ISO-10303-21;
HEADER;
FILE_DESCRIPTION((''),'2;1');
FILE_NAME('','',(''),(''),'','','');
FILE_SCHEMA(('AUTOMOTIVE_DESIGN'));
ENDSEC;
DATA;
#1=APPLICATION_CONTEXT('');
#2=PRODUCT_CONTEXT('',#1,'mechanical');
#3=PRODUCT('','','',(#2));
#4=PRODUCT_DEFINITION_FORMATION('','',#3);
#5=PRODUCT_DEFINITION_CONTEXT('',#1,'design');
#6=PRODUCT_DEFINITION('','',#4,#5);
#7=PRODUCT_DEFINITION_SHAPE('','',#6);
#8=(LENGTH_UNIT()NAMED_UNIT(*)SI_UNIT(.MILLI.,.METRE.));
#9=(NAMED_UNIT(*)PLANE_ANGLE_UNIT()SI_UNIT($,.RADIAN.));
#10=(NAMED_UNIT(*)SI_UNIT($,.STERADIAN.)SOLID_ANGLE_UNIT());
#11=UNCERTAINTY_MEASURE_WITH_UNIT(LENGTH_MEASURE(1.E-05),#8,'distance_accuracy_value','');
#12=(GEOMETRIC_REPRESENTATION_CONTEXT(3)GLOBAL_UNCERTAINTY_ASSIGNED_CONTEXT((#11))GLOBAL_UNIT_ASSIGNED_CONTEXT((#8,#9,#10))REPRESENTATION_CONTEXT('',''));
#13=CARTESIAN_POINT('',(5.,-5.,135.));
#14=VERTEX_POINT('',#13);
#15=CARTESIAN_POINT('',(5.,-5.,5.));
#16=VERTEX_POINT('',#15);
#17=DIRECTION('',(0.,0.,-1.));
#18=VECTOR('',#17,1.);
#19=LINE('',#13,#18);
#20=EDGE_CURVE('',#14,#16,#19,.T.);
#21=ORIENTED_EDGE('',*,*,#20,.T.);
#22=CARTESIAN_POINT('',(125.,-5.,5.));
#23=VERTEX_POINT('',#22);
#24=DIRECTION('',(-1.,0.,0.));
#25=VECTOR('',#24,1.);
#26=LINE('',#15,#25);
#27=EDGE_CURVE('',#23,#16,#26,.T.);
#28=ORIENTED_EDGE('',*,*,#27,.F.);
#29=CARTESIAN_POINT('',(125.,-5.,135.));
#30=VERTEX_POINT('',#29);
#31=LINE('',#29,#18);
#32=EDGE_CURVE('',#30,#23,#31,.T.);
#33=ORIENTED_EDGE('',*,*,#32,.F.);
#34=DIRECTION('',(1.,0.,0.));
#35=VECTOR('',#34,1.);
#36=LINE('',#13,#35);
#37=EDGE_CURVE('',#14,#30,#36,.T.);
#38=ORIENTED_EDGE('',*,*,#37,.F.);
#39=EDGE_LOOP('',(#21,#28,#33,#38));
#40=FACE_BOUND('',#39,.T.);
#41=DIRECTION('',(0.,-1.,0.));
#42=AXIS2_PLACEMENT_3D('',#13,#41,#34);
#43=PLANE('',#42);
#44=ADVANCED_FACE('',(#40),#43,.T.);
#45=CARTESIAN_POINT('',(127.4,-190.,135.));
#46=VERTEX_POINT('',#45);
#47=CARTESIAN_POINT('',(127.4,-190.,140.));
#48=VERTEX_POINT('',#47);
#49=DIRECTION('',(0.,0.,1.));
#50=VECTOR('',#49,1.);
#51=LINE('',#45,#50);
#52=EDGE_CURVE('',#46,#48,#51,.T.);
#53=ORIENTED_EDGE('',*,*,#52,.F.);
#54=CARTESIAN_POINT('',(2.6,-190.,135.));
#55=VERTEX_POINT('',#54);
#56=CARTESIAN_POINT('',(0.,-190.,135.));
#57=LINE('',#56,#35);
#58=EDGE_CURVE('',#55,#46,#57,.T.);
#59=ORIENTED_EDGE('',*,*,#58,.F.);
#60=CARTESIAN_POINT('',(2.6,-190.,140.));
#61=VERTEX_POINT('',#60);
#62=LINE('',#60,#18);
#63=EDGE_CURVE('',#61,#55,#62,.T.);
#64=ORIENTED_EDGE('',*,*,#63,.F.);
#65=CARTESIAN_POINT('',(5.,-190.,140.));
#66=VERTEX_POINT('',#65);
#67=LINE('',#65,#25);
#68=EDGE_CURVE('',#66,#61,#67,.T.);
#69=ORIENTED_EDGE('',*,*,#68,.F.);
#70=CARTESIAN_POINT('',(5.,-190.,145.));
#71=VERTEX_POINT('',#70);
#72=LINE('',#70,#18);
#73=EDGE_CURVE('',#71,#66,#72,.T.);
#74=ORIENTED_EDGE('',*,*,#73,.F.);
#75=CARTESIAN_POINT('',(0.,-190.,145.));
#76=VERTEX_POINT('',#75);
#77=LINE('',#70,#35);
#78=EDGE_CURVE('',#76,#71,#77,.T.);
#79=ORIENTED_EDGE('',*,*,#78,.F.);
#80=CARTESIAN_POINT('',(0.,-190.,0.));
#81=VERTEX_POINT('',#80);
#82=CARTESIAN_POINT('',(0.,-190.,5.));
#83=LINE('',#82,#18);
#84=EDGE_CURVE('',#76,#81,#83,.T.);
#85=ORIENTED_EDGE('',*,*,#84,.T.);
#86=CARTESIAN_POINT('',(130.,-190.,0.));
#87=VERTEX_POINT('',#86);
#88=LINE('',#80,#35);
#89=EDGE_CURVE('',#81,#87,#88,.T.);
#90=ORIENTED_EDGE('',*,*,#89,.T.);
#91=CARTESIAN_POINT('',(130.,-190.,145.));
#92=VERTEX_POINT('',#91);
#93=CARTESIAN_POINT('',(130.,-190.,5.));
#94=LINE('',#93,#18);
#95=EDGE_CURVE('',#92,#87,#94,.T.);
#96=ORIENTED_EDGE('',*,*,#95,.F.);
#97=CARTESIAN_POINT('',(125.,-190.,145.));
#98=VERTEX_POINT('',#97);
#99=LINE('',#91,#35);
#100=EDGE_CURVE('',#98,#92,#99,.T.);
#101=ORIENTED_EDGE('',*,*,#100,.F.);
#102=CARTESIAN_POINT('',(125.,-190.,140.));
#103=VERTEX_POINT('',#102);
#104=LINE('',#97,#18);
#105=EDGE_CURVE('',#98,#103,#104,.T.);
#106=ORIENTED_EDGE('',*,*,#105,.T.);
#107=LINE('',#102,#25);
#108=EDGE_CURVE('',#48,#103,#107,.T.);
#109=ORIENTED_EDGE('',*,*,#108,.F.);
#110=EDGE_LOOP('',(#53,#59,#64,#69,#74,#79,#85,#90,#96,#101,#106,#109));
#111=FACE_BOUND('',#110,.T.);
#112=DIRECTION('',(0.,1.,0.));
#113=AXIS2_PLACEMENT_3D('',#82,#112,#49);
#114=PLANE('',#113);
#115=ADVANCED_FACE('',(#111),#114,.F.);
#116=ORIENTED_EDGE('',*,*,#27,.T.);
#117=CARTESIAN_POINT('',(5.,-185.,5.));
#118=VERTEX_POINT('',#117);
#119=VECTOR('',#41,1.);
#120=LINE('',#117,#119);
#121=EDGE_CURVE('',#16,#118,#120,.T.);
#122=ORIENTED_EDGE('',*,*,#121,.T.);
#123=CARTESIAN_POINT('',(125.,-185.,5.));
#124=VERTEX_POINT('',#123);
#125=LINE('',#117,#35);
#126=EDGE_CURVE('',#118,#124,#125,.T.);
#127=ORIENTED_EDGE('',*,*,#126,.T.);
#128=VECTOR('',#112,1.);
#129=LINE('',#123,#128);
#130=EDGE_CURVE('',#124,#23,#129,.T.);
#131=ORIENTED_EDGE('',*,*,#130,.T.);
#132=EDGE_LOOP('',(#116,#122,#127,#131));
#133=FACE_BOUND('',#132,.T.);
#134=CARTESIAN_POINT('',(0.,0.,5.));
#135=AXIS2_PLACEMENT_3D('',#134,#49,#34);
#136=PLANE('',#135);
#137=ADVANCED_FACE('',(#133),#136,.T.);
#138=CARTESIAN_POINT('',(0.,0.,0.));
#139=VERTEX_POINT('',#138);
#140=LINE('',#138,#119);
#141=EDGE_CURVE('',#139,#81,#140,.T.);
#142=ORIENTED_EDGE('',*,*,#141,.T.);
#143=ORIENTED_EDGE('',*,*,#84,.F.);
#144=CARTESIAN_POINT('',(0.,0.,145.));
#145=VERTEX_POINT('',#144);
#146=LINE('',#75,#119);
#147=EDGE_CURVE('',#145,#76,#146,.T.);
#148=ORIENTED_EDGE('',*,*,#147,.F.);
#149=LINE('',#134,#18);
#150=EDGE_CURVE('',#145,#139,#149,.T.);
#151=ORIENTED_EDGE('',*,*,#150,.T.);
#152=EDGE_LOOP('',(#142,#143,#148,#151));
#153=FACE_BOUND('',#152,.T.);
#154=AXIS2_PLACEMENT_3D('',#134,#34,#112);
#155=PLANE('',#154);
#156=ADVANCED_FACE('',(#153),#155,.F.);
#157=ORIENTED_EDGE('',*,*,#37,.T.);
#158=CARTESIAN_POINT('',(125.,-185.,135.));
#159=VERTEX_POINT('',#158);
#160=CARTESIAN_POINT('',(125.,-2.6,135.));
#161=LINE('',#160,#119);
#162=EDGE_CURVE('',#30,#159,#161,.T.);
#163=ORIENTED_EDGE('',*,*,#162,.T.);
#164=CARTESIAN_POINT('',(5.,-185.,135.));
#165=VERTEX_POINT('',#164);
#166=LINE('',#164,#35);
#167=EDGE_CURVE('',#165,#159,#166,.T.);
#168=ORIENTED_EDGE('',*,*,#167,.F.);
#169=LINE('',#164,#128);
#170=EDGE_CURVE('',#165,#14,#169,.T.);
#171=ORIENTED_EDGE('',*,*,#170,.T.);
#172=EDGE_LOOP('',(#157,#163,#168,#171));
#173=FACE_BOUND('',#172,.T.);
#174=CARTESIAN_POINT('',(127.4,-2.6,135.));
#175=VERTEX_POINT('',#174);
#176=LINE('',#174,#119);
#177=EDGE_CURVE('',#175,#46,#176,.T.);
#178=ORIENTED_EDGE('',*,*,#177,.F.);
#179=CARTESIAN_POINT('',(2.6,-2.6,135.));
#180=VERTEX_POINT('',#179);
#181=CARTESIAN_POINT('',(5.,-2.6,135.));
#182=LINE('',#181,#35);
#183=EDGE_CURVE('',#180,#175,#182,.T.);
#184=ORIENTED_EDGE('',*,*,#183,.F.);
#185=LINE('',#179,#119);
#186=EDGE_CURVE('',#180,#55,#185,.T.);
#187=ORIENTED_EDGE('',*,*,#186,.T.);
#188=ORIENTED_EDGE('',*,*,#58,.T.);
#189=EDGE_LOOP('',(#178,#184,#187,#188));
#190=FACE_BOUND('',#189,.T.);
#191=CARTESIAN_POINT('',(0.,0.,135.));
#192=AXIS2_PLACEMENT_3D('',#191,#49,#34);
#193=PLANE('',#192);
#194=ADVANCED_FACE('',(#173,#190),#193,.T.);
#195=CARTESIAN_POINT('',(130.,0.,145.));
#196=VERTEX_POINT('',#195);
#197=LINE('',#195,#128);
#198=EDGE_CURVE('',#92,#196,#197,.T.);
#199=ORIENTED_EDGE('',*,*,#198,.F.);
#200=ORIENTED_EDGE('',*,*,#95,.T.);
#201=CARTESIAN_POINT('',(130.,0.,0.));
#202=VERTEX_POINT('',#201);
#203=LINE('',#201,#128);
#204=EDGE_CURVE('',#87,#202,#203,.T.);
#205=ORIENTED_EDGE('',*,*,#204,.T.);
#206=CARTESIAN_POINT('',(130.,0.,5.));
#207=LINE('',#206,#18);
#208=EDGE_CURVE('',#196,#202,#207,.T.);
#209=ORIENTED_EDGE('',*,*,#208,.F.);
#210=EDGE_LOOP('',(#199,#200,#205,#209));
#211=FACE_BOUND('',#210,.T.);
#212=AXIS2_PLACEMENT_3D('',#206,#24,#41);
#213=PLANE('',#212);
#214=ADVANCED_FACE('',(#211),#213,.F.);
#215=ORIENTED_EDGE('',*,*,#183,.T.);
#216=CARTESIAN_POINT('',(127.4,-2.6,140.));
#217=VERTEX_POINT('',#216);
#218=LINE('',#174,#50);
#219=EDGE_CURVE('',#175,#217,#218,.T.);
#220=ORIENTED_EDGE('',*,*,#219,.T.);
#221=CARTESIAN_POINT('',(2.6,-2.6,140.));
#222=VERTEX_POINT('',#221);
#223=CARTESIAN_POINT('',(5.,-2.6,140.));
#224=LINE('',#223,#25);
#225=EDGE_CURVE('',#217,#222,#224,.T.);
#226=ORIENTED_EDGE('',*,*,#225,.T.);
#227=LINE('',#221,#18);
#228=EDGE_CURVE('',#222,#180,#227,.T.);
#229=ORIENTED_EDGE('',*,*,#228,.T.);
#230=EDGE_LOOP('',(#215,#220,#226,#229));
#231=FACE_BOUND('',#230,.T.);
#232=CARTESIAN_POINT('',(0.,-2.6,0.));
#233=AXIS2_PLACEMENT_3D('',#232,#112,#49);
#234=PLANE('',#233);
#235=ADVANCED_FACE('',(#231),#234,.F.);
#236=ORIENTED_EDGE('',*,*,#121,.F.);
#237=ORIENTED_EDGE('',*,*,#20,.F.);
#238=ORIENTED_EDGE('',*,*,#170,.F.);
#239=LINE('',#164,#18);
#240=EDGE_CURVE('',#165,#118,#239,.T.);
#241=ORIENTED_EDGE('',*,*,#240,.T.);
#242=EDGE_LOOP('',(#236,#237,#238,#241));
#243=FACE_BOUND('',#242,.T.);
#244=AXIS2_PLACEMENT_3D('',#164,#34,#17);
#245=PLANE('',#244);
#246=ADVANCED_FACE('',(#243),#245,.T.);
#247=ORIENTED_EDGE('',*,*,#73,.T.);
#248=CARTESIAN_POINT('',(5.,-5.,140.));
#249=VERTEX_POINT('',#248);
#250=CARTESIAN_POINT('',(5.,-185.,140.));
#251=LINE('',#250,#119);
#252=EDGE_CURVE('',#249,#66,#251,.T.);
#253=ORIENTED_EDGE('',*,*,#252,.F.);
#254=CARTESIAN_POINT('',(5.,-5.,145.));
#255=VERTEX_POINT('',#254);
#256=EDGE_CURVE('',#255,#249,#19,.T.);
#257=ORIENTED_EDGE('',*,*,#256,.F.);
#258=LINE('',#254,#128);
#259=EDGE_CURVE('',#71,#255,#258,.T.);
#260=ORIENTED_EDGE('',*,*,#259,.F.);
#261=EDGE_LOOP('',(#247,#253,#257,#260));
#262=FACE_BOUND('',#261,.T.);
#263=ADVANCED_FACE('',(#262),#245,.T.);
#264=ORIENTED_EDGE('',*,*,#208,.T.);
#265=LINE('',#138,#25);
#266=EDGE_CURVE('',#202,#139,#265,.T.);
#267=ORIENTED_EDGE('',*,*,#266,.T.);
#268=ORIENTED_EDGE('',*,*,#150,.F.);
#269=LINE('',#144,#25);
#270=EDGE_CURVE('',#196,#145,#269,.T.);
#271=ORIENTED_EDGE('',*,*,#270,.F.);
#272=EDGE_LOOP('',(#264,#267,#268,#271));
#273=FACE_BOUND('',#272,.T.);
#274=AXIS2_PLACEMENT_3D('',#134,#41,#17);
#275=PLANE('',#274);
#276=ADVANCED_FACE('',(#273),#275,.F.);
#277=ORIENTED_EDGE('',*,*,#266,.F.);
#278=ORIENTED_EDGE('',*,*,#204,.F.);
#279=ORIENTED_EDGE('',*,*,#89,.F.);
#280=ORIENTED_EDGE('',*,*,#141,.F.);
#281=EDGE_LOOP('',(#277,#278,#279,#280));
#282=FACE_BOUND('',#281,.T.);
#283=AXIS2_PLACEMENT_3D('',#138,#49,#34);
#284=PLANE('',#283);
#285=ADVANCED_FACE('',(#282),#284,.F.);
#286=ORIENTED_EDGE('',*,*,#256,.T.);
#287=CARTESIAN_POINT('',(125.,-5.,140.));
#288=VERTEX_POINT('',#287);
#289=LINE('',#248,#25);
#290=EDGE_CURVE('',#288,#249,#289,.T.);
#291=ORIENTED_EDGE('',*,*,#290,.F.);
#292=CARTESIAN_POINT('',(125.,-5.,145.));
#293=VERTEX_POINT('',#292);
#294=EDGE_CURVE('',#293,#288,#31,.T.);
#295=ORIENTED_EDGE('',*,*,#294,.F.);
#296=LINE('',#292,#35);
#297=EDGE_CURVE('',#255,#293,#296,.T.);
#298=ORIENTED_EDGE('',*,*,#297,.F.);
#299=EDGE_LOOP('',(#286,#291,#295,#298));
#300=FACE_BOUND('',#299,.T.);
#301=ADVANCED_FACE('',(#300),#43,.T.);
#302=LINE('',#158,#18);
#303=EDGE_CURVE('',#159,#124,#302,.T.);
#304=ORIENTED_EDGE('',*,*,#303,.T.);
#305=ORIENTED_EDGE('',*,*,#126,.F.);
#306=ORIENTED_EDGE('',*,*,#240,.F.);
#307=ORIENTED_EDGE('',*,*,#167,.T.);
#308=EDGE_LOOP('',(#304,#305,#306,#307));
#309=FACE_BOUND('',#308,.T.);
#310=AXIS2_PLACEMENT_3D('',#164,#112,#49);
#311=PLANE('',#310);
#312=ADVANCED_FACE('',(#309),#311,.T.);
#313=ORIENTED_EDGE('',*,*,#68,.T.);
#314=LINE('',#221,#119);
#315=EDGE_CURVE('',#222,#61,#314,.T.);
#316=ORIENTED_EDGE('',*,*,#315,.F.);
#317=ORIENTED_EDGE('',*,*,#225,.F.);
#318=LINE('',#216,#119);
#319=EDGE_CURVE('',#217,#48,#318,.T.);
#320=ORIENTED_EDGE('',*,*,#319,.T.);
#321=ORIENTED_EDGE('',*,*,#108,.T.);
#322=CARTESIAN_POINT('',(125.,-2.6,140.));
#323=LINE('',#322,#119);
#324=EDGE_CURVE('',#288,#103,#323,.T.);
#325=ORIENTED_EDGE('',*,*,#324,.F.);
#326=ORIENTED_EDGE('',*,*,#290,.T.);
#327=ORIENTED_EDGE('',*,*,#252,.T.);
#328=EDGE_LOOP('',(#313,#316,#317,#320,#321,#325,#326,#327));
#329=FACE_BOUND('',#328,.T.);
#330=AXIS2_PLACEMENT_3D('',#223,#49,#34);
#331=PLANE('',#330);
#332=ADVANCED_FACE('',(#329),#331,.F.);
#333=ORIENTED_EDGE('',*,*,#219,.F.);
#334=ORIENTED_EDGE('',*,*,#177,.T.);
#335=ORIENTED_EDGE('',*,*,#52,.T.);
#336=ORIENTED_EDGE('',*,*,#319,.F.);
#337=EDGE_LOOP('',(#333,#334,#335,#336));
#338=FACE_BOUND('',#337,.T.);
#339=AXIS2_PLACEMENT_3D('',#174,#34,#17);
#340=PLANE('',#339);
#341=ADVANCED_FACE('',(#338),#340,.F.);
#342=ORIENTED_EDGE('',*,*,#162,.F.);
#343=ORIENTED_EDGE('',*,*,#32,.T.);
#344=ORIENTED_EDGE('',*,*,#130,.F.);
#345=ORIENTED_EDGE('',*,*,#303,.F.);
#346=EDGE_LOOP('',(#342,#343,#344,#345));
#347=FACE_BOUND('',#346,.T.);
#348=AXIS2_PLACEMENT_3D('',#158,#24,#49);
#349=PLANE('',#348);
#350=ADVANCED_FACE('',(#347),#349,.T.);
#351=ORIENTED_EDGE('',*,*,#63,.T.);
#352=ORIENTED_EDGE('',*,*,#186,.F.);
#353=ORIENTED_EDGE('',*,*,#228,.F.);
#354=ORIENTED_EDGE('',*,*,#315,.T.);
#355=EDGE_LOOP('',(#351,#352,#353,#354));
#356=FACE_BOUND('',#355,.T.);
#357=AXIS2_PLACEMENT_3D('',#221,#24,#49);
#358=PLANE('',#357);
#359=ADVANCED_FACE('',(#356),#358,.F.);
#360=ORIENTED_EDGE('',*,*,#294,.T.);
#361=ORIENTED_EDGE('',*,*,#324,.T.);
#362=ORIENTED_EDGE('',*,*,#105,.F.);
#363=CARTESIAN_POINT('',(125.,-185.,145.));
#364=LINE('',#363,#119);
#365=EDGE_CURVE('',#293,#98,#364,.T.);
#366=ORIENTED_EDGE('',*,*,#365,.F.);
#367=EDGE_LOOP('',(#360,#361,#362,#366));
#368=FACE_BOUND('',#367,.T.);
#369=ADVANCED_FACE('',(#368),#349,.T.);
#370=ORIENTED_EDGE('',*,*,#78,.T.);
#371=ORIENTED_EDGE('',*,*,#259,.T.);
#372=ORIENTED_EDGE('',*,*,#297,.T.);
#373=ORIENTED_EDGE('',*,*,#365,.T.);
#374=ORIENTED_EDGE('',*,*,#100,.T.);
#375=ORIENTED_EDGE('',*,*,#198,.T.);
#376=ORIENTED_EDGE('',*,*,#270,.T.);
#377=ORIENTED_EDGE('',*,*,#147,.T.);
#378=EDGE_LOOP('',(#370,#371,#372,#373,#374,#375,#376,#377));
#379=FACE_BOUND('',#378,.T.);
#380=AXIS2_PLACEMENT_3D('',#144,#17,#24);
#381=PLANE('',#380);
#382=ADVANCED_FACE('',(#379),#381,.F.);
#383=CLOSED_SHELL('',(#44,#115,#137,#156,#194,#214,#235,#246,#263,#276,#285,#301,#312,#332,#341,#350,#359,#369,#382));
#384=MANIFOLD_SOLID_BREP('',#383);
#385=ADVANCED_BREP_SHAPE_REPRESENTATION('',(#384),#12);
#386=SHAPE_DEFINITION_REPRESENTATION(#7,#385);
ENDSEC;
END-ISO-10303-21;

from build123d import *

# Parameters (mm, degrees)
SKETCH1_W           = 130
SKETCH1_H           = 190
BOSS_EXTRUDE1_DEPTH = 5
SKETCH2_W           = 130
SKETCH2_H           = 190
SKETCH2_W_2         = 120
SKETCH2_H_2         = 180
BOSS_EXTRUDE2_DEPTH = 130
BOSS_EXTRUDE3_DEPTH = 10
SKETCH4_W           = 2.4
SKETCH4_H           = 5
CUT_EXTRUDE1_DEPTH  = 187.4
SKETCH5_W           = 120
SKETCH5_H           = 5
CUT_EXTRUDE2_DEPTH  = 2.4


with BuildPart() as part:
    # Sketch1 → Boss-Extrude1 (new body)
    with BuildSketch(Plane.XY):
        with Locations((65, -95)):
            Rectangle(SKETCH1_W, SKETCH1_H)
    extrude(amount=BOSS_EXTRUDE1_DEPTH)

    # Sketch2 → Boss-Extrude2 (add)
    with BuildSketch(Plane.XY.offset(5)):
        with Locations((65, -95)):
            Rectangle(SKETCH2_W, SKETCH2_H)
        with Locations((65, -95)):
            Rectangle(SKETCH2_W_2, SKETCH2_H_2, mode=Mode.SUBTRACT)
    extrude(amount=BOSS_EXTRUDE2_DEPTH)

    # Sketch3 → Boss-Extrude3 (add)
    with BuildSketch(Plane.XY.offset(135)):
        Polygon((0, -190), (0, 0), (130, 0), (130, -190), (125, -190), (125, -185), (125, -5), (5, -5), (5, -190), align=None)
    extrude(amount=BOSS_EXTRUDE3_DEPTH)

    # Sketch4 → Cut-Extrude1 (cut)
    with BuildSketch(Plane.XZ.offset(190)):
        with Locations((3.8, 137.5)):
            Rectangle(SKETCH4_W, SKETCH4_H)
        with Locations((126.2, 137.5)):
            Rectangle(SKETCH4_W, SKETCH4_H)
    extrude(amount=-CUT_EXTRUDE1_DEPTH, mode=Mode.SUBTRACT)

    # Sketch5 → Cut-Extrude2 (cut)
    with BuildSketch(Plane.XZ.offset(5)):
        with Locations((65, 137.5)):
            Rectangle(SKETCH5_W, SKETCH5_H)
    extrude(amount=-CUT_EXTRUDE2_DEPTH, mode=Mode.SUBTRACT)


solid = part.part
